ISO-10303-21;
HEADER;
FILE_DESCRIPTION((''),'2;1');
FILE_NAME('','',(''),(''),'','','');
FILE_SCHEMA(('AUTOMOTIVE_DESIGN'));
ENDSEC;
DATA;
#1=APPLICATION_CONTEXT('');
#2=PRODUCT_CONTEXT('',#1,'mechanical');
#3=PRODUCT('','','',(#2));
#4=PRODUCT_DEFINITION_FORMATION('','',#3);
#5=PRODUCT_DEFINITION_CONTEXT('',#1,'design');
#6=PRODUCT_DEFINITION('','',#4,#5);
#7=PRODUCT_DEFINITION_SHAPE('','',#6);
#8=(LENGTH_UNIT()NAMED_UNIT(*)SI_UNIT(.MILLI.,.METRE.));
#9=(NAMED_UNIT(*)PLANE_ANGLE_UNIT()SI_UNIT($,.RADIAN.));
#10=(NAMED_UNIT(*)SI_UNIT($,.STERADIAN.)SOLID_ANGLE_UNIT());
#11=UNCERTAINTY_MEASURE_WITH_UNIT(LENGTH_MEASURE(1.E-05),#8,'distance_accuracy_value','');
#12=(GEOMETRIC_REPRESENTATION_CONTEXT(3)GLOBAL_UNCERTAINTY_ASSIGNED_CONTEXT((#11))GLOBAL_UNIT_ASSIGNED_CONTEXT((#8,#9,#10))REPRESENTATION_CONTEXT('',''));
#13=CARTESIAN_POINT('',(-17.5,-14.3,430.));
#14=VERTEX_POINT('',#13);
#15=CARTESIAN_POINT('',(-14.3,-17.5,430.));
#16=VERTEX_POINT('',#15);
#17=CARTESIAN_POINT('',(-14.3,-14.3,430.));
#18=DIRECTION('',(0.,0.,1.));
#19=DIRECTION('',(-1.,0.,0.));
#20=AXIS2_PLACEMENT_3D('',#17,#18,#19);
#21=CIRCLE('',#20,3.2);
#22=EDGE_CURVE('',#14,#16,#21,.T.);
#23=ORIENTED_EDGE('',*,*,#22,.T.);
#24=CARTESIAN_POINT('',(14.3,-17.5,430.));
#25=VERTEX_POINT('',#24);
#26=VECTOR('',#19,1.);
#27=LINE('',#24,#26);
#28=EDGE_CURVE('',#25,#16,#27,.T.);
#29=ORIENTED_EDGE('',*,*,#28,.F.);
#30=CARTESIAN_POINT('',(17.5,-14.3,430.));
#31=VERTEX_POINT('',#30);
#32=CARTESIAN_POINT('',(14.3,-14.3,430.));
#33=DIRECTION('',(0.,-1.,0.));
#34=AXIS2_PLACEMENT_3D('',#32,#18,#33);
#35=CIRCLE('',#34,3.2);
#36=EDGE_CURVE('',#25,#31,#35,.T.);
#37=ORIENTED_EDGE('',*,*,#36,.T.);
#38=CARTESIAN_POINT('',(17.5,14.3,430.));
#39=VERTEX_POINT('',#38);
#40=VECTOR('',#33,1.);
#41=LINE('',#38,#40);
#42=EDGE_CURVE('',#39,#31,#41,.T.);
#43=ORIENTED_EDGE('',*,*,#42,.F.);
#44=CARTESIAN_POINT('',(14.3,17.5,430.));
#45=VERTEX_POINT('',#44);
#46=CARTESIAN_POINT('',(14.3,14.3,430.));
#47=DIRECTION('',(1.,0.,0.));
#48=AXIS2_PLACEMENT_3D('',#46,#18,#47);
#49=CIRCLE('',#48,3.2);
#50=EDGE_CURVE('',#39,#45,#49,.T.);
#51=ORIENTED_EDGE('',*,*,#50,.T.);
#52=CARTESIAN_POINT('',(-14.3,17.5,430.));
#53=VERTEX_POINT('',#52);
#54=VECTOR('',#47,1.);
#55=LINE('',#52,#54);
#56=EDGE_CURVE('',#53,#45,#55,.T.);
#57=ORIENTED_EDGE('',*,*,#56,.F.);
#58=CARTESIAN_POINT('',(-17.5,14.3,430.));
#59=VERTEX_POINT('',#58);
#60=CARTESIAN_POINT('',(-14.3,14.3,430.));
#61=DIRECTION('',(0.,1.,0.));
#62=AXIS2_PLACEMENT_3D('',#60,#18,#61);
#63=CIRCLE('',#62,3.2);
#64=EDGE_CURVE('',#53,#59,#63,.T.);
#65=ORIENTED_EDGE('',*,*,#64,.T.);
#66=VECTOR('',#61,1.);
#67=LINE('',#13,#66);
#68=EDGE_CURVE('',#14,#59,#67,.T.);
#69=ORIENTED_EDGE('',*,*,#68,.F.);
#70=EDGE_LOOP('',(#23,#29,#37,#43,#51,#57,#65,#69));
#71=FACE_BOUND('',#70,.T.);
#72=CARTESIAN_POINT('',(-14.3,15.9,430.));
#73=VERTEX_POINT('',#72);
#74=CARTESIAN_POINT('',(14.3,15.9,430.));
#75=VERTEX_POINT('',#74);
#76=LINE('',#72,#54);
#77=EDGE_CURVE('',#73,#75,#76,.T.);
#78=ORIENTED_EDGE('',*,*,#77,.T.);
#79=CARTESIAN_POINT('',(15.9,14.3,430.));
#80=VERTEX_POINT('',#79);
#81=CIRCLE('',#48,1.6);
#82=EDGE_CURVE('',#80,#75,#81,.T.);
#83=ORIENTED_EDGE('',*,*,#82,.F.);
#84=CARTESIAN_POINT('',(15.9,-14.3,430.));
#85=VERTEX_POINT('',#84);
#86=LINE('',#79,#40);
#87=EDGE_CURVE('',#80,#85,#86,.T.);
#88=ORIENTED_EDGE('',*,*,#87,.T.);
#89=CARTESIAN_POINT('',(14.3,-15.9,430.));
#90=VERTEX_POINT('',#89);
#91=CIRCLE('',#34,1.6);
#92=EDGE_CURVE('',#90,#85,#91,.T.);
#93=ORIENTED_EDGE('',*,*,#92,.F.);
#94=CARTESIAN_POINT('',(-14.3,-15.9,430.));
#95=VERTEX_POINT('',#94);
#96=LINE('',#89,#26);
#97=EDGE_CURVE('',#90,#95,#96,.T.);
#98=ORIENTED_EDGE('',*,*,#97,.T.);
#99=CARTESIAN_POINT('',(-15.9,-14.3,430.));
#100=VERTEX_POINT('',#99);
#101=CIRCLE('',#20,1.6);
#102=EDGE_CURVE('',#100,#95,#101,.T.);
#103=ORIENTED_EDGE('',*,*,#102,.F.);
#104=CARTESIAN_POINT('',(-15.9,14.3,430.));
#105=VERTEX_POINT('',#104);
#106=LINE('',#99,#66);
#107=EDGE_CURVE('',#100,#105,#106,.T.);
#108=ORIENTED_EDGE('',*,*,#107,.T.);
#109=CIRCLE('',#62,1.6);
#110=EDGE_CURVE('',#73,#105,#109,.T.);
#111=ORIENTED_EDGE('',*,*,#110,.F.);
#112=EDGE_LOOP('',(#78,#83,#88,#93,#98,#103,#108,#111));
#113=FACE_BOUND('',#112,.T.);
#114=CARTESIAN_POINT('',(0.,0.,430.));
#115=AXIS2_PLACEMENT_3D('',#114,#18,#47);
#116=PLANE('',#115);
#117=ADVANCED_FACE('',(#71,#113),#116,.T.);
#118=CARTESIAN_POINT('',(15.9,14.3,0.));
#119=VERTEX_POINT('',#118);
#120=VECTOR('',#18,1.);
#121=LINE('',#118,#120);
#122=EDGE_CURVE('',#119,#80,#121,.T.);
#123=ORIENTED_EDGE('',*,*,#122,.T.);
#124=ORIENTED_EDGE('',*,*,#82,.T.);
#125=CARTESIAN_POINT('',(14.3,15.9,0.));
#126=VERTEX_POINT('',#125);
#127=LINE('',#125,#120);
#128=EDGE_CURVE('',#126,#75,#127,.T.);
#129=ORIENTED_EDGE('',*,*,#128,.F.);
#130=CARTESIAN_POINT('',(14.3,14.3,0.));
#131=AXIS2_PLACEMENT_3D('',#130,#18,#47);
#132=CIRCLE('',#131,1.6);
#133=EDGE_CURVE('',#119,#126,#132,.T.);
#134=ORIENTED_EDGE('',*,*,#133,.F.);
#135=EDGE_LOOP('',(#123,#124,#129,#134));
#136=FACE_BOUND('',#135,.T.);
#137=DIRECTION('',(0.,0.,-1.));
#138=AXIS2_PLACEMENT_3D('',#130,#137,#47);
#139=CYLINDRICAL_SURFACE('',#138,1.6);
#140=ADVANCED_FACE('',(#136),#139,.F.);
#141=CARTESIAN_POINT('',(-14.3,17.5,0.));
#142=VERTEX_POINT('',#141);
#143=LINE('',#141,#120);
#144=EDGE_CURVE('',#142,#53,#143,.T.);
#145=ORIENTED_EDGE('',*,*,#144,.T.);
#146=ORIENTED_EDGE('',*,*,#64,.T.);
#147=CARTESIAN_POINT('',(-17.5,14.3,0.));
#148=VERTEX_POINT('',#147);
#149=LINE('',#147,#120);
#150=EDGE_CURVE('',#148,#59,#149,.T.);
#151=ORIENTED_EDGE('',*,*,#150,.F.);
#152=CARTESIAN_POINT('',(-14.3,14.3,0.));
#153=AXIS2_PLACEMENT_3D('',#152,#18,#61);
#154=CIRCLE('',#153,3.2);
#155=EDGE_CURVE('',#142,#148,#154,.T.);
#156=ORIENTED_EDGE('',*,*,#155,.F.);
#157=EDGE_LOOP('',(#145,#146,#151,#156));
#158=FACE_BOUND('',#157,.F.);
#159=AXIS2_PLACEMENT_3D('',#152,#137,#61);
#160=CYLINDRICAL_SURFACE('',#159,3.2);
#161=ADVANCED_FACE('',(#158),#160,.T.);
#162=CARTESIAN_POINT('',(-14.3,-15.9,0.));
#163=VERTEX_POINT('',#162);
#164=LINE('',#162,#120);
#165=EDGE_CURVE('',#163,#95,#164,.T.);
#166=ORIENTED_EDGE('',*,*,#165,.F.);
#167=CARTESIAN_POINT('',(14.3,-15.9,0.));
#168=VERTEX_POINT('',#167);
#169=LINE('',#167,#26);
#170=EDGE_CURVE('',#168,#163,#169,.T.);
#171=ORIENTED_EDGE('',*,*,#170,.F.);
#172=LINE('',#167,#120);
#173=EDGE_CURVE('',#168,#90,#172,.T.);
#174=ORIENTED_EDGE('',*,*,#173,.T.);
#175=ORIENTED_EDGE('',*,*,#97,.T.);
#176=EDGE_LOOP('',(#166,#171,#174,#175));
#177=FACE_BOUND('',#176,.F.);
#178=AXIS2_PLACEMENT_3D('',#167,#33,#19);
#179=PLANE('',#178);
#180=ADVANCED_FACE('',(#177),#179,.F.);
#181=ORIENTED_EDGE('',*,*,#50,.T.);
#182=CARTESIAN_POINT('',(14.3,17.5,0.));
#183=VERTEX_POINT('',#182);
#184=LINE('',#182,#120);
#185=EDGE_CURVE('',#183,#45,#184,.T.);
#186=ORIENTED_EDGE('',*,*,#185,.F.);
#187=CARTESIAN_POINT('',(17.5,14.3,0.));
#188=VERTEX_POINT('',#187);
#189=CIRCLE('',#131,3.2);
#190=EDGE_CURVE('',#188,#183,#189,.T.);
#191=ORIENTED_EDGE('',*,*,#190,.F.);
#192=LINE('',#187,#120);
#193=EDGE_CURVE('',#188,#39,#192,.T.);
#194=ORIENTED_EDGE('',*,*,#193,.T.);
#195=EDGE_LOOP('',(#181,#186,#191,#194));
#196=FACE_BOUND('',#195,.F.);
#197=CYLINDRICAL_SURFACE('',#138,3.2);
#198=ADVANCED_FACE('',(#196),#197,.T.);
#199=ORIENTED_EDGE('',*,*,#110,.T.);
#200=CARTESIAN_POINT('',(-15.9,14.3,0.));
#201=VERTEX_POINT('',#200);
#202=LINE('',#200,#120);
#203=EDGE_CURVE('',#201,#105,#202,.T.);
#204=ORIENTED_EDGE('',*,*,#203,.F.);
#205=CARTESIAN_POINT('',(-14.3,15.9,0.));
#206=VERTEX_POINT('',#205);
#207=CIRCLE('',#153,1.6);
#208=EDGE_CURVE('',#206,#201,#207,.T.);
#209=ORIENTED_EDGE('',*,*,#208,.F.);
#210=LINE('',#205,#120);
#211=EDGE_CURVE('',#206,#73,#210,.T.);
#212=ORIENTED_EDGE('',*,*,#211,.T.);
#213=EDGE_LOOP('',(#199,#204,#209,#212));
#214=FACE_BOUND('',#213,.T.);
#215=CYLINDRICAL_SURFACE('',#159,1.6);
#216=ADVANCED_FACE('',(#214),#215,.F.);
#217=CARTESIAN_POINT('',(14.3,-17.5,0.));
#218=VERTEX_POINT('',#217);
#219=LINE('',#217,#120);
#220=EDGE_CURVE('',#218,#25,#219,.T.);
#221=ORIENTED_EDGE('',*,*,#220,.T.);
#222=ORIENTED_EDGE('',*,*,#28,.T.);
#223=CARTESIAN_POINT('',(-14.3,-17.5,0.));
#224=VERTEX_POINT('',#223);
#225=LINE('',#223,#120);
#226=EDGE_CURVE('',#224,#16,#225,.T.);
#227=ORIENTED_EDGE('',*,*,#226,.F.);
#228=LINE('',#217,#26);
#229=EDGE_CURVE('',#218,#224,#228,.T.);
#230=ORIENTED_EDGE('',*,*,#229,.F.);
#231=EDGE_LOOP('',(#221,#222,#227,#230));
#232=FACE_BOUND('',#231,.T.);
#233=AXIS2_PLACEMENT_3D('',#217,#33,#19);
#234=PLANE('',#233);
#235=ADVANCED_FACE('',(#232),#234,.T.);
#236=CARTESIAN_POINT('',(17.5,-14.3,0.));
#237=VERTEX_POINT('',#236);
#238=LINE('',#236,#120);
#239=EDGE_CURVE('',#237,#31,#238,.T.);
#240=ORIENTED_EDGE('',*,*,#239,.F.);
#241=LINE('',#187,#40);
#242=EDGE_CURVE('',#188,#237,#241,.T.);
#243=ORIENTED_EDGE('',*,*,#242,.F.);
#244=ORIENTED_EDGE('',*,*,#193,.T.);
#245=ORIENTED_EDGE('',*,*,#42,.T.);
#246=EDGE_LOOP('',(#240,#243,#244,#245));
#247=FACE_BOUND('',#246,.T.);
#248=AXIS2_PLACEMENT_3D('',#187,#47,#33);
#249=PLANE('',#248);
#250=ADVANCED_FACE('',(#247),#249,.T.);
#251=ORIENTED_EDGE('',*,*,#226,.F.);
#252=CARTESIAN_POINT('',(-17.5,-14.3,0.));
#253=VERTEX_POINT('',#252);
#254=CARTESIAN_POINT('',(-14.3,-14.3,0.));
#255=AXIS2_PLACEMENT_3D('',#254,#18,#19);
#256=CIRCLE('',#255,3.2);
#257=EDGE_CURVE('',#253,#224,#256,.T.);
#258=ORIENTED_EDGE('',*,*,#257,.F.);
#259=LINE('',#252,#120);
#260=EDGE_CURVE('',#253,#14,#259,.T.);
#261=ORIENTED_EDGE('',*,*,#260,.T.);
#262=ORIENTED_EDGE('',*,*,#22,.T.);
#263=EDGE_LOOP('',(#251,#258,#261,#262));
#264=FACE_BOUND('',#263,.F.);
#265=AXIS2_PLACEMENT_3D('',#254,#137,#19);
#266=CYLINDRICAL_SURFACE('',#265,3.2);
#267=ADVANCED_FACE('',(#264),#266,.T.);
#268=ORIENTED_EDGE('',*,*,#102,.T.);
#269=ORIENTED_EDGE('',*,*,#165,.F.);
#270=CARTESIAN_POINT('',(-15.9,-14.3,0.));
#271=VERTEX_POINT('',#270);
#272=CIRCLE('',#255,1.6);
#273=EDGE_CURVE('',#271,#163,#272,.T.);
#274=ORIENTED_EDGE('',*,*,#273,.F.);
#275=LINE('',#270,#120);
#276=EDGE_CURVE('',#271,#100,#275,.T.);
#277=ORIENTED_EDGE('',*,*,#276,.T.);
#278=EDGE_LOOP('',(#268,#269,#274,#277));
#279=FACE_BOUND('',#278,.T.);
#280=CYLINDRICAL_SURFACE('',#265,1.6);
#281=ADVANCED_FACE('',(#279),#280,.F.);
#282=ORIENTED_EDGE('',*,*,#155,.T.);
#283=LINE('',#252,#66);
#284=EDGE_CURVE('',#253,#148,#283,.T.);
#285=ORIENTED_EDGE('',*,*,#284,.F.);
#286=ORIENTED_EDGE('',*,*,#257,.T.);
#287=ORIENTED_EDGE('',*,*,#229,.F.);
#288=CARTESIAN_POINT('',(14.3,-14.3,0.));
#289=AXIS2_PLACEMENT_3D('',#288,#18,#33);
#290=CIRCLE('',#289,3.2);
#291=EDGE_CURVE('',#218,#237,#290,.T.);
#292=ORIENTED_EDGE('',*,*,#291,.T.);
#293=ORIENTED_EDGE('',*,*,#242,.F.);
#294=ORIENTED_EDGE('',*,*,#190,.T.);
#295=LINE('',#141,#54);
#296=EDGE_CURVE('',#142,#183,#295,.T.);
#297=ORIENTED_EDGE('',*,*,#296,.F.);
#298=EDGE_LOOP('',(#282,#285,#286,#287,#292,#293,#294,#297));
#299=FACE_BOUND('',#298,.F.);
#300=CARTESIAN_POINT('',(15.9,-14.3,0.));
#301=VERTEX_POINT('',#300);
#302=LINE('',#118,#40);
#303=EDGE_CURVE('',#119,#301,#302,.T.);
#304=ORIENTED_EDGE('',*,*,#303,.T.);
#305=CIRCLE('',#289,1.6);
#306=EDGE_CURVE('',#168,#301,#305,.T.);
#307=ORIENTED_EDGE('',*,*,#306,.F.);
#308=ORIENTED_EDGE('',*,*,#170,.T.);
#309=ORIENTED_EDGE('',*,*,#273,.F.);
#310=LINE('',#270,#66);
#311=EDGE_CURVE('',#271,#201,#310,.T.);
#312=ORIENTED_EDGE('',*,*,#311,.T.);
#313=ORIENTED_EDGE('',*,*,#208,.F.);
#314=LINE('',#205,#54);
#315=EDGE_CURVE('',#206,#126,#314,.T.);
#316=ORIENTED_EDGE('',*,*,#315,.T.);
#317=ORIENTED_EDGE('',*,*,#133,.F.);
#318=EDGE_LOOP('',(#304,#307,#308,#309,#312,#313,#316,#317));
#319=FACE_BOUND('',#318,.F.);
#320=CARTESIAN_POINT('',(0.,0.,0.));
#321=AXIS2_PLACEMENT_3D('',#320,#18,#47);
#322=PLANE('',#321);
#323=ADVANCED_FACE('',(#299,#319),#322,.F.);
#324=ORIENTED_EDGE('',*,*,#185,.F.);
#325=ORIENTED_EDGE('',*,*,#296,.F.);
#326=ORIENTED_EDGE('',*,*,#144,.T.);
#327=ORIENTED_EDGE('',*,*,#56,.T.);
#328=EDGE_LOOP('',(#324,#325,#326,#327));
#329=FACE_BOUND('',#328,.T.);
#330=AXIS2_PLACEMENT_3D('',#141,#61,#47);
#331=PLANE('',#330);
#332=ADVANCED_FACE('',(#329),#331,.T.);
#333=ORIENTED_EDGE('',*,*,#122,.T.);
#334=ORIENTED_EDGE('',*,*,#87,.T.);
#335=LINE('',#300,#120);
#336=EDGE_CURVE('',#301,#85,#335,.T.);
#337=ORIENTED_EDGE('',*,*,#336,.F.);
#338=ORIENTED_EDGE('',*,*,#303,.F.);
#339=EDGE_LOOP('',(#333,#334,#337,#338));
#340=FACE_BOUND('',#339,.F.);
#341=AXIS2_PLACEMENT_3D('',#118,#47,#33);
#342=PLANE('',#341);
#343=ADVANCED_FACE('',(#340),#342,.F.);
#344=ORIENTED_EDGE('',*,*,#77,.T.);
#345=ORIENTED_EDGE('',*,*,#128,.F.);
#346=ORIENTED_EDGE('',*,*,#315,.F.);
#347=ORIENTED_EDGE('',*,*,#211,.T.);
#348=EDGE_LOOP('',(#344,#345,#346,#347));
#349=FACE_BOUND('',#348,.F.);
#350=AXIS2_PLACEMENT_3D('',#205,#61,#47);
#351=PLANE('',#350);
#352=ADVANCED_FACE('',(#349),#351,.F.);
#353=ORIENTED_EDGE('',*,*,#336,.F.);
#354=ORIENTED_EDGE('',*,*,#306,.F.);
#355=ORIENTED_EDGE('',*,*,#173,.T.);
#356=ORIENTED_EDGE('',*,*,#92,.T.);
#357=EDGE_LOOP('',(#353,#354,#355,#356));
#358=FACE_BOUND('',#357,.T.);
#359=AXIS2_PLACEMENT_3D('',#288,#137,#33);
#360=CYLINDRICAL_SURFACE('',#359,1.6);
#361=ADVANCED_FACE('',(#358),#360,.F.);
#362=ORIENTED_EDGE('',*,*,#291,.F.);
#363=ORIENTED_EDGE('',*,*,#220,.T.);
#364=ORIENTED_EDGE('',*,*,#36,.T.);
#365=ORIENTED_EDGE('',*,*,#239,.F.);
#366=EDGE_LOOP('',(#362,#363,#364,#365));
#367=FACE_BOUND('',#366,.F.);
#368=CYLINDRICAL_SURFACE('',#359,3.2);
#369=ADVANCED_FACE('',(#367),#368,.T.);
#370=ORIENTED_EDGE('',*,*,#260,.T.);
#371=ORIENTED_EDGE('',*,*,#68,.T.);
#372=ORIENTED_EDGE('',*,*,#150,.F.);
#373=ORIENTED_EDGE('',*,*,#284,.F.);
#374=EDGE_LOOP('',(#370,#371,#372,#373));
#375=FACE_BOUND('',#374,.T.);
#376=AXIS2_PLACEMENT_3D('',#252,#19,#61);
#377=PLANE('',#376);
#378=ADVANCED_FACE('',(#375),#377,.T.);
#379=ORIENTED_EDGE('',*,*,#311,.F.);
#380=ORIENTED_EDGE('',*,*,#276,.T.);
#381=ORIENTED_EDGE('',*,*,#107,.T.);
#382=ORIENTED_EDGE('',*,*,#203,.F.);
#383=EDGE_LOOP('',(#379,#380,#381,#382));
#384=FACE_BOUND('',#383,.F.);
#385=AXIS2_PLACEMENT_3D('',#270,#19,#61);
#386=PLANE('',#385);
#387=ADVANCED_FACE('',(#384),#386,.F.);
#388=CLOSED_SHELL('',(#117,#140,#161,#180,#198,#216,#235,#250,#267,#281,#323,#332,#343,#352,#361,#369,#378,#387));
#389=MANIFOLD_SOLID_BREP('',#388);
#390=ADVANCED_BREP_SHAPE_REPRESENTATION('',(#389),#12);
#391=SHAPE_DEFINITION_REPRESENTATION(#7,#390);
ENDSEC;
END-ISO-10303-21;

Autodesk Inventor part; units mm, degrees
ref_plane "YZ Plane" through (0, 0, 0) normal (1, 0, 0) x (0, 1, 0)
ref_plane "Start plane" through (0, 0, 0) normal (0, 0, 1) x (1, 0, 0)
ref_plane "End plane" through (0, 0, 430) normal (0, 0, 1) x (1, 0, 0)
sketch "Sketch" plane through (0, 0, 0) normal (0, 0, 1) x (1, 0, 0)
  line L0 (-17.5, -14.3) -> (-17.5, 14.3)
  line L1 (-14.3, 17.5) -> (14.3, 17.5)
  line L2 (17.5, 14.3) -> (17.5, -14.3)
  line L3 (14.3, -17.5) -> (-14.3, -17.5)
  arc A0 (-17.5, -14.3) -> (-14.3, -17.5) centre (-14.3, -14.3) ccw
  arc A1 (-14.3, 17.5) -> (-17.5, 14.3) centre (-14.3, 14.3) ccw
  arc A2 (17.5, 14.3) -> (14.3, 17.5) centre (14.3, 14.3) ccw
  arc A3 (14.3, -17.5) -> (17.5, -14.3) centre (14.3, -14.3) ccw
  arc A4 (-14.3, 15.9) -> (-15.9, 14.3) centre (-14.3, 14.3) ccw
  line L4 (-14.3, 15.9) -> (14.3, 15.9)
  arc A5 (15.9, 14.3) -> (14.3, 15.9) centre (14.3, 14.3) ccw
  line L5 (15.9, 14.3) -> (15.9, -14.3)
  arc A6 (14.3, -15.9) -> (15.9, -14.3) centre (14.3, -14.3) ccw
  line L6 (14.3, -15.9) -> (-14.3, -15.9)
  arc A7 (-15.9, -14.3) -> (-14.3, -15.9) centre (-14.3, -14.3) ccw
  line L7 (-15.9, -14.3) -> (-15.9, 14.3)
  line L8 (0, 25.4278) -> (0, -25.4278) construction
  line L9 (-25.4278, 0) -> (25.4278, 0) construction
  dimension "d7" = 3.2
  dimension "d10" = 35
  dimension "d11" = 35
  dimension "d12" = 1.6
  dimension "d15" = 17.5
  dimension "d16" = 17.5
extrude "Body" add sketch "Sketch" along normal up to surface (430 mm away) from surface at 0
sketch "Sketch3" plane through (0, 0, 0) normal (0, 0, 1) x (1, 0, 0)
  line L0 (0, 0) -> (10, 0)
ref_plane "Work Plane3" through (0, 0, 0) normal (0, -1, 0) x (1, 0, 0)
sketch "Sketch4" plane through (0, 0, 0) normal (0, -1, 0) x (1, 0, 0)
  line L0 (-2, 0) -> (12, 0)
  line L1 (-2, 430) -> (12, 430)
  dimension "d18" = 430
equation "\"d7\" = G_IR"
equation "\"d10\" = G_H"
equation "\"d11\" = G_W"
equation "\"d12\" = G_T"
equation "\"d15\" = 0.5 * d10"
equation "\"d16\" = 0.5 * d11"
equation "\"d3\" = G_L"
equation "\"G_W\" = 35"
equation "\"G_H\" = 35"
equation "\"G_T\" = 1.6"
equation "\"G_IR\" = 3.2"
equation "\"G_L\" = d18"
equation "\"G_OFFSET_START\" = 0"
equation "\"G_OFFSET_END\" = 0"
properties part number "AS 1163 - C350L0 35x35x1.6 SHS - 430" material "Steel, Mild"
